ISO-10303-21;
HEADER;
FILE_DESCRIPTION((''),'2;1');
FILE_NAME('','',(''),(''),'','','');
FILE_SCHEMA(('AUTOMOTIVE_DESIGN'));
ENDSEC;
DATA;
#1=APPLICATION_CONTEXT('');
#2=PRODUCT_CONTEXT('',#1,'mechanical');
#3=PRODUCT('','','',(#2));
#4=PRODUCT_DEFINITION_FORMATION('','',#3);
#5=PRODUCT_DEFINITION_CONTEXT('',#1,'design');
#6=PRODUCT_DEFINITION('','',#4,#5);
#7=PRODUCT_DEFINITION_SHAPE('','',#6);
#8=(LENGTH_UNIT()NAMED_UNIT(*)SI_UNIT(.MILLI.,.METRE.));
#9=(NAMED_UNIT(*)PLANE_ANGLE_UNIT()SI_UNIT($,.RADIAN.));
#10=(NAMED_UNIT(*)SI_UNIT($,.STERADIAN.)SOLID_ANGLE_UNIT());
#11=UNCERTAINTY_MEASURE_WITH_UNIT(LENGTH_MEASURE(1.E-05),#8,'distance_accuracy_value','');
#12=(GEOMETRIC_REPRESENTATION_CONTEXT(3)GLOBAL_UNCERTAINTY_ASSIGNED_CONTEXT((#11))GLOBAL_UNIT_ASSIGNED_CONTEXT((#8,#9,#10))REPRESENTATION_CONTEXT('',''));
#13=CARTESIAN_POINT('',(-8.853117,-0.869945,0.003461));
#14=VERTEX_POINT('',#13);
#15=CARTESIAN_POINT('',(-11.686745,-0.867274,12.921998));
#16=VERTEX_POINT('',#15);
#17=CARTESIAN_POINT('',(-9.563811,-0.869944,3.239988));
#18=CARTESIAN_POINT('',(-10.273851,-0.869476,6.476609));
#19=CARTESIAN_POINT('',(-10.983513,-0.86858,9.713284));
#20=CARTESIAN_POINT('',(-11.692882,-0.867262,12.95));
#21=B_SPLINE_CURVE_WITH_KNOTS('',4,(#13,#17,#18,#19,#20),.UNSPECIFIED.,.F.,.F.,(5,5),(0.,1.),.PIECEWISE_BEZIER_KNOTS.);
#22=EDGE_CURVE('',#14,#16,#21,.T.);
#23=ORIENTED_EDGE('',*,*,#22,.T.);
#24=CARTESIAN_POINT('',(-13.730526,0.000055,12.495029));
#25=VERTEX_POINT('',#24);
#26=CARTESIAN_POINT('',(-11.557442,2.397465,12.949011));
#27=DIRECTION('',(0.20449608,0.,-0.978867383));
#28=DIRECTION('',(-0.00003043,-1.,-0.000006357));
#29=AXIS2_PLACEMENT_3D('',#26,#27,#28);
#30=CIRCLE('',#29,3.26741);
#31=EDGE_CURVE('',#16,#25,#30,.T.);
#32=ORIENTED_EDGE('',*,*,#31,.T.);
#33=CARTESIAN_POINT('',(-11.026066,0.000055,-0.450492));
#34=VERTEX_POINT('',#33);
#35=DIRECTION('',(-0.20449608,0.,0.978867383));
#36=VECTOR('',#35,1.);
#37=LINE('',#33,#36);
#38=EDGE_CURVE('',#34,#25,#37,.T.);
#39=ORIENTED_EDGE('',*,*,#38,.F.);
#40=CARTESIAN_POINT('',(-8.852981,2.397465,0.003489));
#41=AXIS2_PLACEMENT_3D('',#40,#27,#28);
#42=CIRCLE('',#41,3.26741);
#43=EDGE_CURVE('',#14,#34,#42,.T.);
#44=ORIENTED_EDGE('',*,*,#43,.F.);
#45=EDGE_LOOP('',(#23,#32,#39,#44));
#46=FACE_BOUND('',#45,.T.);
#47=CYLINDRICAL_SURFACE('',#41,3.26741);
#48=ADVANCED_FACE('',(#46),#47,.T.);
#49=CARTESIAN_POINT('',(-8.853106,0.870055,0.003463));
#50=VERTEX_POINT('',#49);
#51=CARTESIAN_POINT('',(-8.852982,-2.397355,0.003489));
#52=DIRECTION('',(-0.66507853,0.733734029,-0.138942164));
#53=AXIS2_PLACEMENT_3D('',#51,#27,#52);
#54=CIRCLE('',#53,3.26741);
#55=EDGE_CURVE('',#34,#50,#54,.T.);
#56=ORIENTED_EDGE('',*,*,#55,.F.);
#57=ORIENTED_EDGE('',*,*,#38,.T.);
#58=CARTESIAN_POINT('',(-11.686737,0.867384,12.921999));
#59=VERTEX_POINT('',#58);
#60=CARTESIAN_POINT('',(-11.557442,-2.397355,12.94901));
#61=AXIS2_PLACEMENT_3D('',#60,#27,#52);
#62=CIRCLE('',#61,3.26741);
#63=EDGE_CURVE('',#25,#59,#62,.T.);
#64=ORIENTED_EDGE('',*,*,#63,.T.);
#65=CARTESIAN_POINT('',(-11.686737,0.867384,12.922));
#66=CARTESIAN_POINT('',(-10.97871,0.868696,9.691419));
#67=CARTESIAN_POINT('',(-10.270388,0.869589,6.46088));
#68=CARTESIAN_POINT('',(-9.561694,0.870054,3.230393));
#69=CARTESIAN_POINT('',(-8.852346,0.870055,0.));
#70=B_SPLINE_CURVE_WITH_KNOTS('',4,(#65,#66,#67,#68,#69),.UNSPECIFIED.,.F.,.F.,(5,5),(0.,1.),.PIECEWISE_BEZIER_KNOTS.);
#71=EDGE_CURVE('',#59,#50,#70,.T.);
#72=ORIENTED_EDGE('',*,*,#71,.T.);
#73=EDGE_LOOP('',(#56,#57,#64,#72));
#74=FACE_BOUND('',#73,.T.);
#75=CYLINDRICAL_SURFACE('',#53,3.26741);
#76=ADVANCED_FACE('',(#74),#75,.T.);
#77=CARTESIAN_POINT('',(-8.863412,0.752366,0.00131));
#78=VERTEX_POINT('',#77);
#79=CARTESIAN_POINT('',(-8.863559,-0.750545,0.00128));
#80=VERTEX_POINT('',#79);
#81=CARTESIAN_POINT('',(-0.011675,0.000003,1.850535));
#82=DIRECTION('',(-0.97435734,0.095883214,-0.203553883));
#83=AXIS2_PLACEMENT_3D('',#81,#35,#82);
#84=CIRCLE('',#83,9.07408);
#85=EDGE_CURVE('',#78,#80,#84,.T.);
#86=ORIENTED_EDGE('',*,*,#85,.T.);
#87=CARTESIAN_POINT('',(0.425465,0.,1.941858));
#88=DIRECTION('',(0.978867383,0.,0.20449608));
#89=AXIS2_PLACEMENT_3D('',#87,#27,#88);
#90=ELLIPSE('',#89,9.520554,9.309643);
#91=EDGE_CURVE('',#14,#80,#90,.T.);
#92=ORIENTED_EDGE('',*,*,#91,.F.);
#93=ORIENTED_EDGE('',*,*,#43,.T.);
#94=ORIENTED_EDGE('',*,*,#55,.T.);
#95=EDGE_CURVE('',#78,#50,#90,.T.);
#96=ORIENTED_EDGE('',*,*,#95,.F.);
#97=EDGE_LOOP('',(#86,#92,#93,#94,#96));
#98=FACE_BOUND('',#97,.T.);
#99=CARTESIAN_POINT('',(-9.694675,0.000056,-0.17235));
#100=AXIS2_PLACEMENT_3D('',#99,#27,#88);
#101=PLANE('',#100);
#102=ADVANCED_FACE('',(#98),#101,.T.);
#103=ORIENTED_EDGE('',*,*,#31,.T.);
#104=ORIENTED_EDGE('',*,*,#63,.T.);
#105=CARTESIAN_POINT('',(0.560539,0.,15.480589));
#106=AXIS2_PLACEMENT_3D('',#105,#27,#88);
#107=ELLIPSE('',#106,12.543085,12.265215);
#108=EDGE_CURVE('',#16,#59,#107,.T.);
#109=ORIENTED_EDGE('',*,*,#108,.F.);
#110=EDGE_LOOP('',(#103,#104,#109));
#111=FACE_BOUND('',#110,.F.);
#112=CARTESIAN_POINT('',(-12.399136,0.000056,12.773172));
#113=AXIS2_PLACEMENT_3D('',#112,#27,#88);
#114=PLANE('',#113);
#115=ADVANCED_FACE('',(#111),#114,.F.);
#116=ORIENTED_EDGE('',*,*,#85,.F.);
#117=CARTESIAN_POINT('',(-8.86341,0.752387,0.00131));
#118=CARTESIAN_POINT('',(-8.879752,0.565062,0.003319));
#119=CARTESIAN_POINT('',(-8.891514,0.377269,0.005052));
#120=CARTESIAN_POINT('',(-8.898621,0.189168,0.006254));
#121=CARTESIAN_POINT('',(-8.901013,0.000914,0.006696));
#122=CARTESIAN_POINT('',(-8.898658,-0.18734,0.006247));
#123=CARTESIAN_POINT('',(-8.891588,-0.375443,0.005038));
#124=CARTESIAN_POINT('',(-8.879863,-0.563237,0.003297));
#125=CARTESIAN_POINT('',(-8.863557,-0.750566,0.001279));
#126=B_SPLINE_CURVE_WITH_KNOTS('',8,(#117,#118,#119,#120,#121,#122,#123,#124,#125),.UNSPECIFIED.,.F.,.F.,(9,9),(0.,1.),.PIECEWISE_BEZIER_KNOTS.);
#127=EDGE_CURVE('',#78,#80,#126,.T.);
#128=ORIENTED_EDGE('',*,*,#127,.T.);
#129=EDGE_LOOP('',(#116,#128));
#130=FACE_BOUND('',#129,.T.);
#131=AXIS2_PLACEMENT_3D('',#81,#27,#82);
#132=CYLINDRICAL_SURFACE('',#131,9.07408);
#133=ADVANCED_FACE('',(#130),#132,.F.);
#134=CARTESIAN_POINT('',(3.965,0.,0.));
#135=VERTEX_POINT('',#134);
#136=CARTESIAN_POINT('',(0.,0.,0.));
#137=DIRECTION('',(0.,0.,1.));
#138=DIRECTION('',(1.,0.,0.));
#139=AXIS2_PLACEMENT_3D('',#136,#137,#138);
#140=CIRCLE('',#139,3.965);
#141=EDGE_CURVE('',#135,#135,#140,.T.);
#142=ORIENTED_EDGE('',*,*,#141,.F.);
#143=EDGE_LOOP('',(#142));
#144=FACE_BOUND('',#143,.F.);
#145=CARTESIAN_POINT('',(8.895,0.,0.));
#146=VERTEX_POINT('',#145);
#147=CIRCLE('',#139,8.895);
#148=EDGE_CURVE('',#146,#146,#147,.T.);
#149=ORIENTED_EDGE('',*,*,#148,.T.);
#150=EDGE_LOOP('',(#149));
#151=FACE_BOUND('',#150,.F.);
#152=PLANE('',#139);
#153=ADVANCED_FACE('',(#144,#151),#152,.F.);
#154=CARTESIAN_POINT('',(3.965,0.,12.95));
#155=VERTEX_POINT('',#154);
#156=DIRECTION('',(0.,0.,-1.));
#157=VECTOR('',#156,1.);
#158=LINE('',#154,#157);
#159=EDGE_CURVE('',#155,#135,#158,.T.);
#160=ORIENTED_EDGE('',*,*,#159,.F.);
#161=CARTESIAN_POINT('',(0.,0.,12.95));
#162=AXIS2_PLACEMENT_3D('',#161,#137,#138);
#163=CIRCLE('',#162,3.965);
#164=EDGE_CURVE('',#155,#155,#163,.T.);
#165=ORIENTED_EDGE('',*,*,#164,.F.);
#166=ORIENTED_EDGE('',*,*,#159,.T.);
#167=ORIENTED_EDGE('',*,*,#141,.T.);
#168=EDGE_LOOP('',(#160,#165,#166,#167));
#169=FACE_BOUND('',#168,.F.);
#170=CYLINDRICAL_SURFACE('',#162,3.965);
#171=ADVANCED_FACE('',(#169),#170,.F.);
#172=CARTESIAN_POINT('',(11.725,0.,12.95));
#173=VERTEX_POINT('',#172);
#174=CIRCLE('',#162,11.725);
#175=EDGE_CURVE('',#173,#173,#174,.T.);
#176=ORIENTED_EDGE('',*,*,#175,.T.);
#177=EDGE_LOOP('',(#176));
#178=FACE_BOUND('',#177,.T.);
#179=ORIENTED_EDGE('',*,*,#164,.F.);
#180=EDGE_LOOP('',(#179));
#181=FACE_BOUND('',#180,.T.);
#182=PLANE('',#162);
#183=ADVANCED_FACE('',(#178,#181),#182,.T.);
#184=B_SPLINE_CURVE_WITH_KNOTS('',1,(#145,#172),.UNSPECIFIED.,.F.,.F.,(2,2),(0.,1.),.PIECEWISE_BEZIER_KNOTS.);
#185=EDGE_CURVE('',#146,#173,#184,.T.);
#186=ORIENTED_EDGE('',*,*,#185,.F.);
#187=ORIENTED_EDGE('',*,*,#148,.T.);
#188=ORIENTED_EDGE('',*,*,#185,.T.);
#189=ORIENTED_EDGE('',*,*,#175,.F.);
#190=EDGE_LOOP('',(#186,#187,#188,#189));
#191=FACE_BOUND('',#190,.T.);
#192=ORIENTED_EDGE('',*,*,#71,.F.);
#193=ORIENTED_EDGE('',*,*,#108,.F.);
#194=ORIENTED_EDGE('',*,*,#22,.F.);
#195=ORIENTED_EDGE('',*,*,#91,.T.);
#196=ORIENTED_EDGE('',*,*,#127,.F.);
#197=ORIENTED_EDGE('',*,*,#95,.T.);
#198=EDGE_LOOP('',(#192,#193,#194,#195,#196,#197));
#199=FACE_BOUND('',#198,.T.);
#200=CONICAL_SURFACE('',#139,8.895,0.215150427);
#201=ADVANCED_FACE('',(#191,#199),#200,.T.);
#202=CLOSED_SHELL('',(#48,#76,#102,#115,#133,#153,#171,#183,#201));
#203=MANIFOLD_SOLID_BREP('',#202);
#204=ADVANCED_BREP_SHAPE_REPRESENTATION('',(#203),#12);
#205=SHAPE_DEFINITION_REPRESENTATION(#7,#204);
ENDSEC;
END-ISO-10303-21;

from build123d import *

# Parameters (mm, degrees)
F0_R     = 8.895
F2_R     = 11.725
F4_R     = 3.965
F5_DEPTH = 12.95
F9_DEPTH = 13.225


with BuildPart() as f3:
    # F0 (on Top) → F3 section 0
    with BuildSketch(Plane.XY):
        Circle(F0_R)
    # F2 (on offset) → F3 section 1
    with BuildSketch(Plane.XY.offset(12.95)):
        Circle(F2_R)
    loft()

    # F4 (on face) → F5 (cut)
    with BuildSketch(Plane.XY.offset(12.95)):
        Circle(F4_R)
    extrude(amount=-F5_DEPTH, mode=Mode.SUBTRACT)

    # F8 (on face) → F9 (join)
    with BuildSketch(Plane(origin=(-0.370918, 0, 1.775485), x_dir=(0.978867, 0, 0.204496), z_dir=(0.204496, 0, -0.978867))):
        with BuildLine():
            ThreePointArc((-8.665283, 0.869945), (-9.857422, 0.644661), (-10.88518, -5.5e-05))
            ThreePointArc((-10.88518, -5.5e-05), (-9.857417, -0.644773), (-8.665273, -0.870055))
            ThreePointArc((-8.665273, -0.870055), (-8.707081, -5.6e-05), (-8.665283, 0.869945))
        make_face()
    extrude(amount=-F9_DEPTH)


solid = f3.part
